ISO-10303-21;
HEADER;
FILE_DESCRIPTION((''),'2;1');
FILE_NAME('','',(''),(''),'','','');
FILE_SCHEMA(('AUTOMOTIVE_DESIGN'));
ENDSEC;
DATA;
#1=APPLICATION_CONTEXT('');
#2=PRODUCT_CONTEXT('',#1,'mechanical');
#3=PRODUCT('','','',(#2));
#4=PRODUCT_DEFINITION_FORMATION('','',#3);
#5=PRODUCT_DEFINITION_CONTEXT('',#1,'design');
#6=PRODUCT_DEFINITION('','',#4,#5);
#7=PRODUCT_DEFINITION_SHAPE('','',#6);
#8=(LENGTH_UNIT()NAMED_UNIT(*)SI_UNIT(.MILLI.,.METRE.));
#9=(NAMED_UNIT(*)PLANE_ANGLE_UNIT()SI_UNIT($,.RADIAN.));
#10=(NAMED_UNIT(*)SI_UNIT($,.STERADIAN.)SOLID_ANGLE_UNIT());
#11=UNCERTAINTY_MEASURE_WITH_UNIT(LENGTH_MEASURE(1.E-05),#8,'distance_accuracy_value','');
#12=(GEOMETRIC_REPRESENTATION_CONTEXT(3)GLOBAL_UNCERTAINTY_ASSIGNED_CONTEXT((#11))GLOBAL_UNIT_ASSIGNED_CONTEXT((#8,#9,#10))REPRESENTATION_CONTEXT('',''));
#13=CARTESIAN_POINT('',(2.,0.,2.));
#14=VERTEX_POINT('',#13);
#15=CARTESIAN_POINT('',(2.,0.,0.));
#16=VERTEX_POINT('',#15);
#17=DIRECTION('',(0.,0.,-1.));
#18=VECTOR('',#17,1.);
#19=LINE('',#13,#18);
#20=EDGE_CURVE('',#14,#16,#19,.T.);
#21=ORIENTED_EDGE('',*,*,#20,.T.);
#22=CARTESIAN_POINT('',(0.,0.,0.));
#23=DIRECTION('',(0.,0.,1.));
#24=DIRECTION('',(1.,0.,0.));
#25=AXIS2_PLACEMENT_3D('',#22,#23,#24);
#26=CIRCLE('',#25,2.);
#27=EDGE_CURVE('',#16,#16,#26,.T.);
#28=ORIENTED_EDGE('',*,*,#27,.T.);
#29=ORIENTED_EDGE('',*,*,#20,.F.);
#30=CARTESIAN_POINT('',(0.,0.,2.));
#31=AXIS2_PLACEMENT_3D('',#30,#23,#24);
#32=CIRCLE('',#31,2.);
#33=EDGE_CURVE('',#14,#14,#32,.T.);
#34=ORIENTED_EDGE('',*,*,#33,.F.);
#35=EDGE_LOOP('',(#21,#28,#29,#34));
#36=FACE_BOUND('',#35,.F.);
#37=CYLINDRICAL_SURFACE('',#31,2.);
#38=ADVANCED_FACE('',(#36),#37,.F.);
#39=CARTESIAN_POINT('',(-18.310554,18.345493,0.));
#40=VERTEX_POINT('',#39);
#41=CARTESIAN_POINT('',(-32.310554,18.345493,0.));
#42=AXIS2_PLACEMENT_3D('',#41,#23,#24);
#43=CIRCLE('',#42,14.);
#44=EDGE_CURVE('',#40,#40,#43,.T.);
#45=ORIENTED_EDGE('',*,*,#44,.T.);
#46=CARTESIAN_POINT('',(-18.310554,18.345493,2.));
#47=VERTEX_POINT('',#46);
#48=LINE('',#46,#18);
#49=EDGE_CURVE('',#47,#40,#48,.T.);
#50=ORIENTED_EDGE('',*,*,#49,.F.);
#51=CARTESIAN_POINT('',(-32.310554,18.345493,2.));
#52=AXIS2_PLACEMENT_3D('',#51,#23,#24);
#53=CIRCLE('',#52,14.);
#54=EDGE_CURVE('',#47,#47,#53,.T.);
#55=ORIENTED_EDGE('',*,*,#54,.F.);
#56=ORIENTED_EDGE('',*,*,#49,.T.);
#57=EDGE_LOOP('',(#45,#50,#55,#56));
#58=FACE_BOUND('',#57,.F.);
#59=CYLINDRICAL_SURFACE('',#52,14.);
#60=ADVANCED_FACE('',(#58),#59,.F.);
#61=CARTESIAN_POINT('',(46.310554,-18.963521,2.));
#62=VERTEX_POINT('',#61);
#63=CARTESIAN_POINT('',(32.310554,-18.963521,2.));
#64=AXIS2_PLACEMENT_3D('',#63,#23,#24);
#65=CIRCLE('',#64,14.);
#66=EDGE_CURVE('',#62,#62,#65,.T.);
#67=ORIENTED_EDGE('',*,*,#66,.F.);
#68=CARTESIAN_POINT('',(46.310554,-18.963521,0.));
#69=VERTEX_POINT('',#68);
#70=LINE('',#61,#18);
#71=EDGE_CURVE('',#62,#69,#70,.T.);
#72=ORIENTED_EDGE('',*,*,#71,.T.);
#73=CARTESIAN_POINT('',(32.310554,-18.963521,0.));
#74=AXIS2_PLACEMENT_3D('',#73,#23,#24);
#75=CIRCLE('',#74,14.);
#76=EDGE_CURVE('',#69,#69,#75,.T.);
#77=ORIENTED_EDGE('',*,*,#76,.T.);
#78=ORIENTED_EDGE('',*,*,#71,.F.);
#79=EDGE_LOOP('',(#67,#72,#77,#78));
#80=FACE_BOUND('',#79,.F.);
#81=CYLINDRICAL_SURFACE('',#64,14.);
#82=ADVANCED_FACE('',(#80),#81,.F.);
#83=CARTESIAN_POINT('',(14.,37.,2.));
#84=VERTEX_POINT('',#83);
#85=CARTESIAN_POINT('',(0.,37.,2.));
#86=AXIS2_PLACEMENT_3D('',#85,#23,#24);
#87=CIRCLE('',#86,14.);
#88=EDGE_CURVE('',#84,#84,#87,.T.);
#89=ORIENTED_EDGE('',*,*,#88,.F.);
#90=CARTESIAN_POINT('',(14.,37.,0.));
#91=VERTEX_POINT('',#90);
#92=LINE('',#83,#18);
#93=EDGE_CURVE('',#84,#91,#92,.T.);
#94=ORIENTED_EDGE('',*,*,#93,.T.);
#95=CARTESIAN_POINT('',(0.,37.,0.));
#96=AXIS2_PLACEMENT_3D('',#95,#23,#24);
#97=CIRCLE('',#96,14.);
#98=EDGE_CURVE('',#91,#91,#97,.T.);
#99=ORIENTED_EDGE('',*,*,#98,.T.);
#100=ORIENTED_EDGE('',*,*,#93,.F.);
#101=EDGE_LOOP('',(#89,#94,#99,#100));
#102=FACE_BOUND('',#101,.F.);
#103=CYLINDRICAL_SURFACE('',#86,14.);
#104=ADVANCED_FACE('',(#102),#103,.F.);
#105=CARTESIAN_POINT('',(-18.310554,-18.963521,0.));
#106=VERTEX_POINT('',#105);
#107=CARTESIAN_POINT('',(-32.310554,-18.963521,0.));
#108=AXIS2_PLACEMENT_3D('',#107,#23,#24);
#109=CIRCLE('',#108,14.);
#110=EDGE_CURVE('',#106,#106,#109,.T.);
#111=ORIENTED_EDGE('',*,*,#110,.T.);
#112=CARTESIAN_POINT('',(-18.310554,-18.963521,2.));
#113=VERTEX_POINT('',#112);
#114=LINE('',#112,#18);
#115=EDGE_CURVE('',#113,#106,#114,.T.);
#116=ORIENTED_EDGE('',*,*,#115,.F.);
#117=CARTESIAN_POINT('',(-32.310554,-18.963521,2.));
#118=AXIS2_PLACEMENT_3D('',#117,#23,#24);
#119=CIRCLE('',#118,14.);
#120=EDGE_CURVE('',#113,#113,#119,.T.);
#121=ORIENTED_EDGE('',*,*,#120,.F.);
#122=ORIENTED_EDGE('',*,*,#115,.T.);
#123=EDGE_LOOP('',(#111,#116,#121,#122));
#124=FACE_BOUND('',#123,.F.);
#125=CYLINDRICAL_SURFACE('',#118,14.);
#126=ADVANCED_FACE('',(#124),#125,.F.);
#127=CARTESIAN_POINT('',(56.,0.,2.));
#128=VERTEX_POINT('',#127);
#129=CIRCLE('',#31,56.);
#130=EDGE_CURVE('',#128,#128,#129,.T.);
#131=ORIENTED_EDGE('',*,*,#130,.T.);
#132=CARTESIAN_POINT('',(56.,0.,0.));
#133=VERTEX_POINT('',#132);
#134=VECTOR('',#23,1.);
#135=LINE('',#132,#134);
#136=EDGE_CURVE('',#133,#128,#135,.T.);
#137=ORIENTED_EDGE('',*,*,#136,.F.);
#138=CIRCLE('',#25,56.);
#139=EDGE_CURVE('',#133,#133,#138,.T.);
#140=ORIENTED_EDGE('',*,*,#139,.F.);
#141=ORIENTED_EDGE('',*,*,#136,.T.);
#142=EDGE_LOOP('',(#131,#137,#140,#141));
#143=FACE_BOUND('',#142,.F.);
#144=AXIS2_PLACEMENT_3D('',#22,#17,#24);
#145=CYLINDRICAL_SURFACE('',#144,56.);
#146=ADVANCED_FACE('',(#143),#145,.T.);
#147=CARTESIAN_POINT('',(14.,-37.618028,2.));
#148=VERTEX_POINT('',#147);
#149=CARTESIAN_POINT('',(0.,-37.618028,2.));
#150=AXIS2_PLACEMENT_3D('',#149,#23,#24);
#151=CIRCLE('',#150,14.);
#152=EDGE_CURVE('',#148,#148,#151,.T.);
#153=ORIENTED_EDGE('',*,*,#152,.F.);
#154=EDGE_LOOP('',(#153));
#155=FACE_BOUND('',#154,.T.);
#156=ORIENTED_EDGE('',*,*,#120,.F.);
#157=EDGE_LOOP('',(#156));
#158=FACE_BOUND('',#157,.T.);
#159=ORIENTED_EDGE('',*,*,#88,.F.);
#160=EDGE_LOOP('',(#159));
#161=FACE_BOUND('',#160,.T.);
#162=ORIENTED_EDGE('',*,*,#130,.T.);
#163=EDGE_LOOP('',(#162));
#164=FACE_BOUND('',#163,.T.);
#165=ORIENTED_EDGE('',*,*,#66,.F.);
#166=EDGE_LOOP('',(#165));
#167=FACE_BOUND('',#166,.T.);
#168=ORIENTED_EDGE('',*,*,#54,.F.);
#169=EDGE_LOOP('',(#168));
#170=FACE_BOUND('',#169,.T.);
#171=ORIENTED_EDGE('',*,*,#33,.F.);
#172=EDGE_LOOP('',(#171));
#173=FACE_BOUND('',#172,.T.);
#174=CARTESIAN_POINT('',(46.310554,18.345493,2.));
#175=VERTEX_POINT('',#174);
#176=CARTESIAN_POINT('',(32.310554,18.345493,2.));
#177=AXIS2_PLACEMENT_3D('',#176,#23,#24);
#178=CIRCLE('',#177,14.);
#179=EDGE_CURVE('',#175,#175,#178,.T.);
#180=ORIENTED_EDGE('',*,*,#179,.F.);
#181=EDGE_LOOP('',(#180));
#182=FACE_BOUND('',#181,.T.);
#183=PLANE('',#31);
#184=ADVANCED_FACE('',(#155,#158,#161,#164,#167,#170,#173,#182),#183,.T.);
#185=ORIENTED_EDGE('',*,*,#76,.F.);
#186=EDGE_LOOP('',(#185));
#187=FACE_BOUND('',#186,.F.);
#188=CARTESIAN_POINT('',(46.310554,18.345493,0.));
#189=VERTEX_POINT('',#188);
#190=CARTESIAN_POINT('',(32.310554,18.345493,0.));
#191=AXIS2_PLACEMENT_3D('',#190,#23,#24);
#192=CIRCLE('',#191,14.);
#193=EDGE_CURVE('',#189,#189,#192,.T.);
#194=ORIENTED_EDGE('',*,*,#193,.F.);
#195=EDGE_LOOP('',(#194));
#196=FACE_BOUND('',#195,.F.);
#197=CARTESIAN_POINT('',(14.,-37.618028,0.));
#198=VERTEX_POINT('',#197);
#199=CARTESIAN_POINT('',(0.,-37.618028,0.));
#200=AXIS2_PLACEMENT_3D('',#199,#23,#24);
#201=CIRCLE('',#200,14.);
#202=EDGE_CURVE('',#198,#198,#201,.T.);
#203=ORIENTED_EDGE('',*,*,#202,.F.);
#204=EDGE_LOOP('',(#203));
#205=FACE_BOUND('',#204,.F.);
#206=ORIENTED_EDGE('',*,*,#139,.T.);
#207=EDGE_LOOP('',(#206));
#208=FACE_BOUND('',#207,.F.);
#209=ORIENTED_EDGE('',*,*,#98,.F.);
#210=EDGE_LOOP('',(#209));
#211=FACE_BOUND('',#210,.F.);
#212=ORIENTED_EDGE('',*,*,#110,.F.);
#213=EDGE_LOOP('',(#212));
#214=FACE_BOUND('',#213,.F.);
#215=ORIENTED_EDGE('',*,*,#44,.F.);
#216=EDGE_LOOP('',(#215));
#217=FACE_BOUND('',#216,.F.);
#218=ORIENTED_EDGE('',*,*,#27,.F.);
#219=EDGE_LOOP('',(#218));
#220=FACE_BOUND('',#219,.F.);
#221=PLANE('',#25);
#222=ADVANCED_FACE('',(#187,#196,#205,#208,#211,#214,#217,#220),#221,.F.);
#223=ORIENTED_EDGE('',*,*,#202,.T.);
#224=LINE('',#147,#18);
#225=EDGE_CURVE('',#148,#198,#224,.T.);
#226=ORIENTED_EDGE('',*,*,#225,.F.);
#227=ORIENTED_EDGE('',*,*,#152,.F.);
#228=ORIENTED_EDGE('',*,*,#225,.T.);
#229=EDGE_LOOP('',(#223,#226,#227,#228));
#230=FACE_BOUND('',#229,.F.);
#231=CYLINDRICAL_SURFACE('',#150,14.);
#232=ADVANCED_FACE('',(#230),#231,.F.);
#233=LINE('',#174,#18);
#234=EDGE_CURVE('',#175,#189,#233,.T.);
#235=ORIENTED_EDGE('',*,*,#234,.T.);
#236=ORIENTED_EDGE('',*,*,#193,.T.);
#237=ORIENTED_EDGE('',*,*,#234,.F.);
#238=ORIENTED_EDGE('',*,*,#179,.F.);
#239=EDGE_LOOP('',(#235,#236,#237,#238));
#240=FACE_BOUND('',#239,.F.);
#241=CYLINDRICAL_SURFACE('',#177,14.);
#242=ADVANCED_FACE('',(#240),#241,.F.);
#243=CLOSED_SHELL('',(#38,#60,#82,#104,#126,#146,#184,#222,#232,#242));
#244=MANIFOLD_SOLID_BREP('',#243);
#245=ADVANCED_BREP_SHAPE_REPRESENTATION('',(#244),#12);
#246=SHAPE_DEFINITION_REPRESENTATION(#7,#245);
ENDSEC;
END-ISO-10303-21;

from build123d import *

# Parameters (mm, degrees)
F0_R     = 56
F1_DEPTH = 2
F2_R     = 2
F3_DEPTH = 2
F4_R     = 14
F5_DEPTH = 2


with BuildPart() as f1:
    # F0 (on Top) → F1 (new body)
    with BuildSketch(Plane.XY):
        Circle(F0_R)
    extrude(amount=F1_DEPTH)

    # F2 (on face) → F3 (cut)
    with BuildSketch(Plane.XY.offset(2)):
        Circle(F2_R)
    extrude(amount=-F3_DEPTH, mode=Mode.SUBTRACT)

    # F4 (on face) → F5 (cut)
    with BuildSketch(Plane.XY.offset(2)):
        with Locations((0, 37)):
            Circle(F4_R)
        with Locations((-32.310554, 18.345493)):
            Circle(F4_R)
        with Locations((-32.310554, -18.963521)):
            Circle(F4_R)
        with Locations((0, -37.618028)):
            Circle(F4_R)
        with Locations((32.310554, -18.963521)):
            Circle(F4_R)
        with Locations((32.310554, 18.345493)):
            Circle(F4_R)
    extrude(amount=-F5_DEPTH, mode=Mode.SUBTRACT)


solid = f1.part
